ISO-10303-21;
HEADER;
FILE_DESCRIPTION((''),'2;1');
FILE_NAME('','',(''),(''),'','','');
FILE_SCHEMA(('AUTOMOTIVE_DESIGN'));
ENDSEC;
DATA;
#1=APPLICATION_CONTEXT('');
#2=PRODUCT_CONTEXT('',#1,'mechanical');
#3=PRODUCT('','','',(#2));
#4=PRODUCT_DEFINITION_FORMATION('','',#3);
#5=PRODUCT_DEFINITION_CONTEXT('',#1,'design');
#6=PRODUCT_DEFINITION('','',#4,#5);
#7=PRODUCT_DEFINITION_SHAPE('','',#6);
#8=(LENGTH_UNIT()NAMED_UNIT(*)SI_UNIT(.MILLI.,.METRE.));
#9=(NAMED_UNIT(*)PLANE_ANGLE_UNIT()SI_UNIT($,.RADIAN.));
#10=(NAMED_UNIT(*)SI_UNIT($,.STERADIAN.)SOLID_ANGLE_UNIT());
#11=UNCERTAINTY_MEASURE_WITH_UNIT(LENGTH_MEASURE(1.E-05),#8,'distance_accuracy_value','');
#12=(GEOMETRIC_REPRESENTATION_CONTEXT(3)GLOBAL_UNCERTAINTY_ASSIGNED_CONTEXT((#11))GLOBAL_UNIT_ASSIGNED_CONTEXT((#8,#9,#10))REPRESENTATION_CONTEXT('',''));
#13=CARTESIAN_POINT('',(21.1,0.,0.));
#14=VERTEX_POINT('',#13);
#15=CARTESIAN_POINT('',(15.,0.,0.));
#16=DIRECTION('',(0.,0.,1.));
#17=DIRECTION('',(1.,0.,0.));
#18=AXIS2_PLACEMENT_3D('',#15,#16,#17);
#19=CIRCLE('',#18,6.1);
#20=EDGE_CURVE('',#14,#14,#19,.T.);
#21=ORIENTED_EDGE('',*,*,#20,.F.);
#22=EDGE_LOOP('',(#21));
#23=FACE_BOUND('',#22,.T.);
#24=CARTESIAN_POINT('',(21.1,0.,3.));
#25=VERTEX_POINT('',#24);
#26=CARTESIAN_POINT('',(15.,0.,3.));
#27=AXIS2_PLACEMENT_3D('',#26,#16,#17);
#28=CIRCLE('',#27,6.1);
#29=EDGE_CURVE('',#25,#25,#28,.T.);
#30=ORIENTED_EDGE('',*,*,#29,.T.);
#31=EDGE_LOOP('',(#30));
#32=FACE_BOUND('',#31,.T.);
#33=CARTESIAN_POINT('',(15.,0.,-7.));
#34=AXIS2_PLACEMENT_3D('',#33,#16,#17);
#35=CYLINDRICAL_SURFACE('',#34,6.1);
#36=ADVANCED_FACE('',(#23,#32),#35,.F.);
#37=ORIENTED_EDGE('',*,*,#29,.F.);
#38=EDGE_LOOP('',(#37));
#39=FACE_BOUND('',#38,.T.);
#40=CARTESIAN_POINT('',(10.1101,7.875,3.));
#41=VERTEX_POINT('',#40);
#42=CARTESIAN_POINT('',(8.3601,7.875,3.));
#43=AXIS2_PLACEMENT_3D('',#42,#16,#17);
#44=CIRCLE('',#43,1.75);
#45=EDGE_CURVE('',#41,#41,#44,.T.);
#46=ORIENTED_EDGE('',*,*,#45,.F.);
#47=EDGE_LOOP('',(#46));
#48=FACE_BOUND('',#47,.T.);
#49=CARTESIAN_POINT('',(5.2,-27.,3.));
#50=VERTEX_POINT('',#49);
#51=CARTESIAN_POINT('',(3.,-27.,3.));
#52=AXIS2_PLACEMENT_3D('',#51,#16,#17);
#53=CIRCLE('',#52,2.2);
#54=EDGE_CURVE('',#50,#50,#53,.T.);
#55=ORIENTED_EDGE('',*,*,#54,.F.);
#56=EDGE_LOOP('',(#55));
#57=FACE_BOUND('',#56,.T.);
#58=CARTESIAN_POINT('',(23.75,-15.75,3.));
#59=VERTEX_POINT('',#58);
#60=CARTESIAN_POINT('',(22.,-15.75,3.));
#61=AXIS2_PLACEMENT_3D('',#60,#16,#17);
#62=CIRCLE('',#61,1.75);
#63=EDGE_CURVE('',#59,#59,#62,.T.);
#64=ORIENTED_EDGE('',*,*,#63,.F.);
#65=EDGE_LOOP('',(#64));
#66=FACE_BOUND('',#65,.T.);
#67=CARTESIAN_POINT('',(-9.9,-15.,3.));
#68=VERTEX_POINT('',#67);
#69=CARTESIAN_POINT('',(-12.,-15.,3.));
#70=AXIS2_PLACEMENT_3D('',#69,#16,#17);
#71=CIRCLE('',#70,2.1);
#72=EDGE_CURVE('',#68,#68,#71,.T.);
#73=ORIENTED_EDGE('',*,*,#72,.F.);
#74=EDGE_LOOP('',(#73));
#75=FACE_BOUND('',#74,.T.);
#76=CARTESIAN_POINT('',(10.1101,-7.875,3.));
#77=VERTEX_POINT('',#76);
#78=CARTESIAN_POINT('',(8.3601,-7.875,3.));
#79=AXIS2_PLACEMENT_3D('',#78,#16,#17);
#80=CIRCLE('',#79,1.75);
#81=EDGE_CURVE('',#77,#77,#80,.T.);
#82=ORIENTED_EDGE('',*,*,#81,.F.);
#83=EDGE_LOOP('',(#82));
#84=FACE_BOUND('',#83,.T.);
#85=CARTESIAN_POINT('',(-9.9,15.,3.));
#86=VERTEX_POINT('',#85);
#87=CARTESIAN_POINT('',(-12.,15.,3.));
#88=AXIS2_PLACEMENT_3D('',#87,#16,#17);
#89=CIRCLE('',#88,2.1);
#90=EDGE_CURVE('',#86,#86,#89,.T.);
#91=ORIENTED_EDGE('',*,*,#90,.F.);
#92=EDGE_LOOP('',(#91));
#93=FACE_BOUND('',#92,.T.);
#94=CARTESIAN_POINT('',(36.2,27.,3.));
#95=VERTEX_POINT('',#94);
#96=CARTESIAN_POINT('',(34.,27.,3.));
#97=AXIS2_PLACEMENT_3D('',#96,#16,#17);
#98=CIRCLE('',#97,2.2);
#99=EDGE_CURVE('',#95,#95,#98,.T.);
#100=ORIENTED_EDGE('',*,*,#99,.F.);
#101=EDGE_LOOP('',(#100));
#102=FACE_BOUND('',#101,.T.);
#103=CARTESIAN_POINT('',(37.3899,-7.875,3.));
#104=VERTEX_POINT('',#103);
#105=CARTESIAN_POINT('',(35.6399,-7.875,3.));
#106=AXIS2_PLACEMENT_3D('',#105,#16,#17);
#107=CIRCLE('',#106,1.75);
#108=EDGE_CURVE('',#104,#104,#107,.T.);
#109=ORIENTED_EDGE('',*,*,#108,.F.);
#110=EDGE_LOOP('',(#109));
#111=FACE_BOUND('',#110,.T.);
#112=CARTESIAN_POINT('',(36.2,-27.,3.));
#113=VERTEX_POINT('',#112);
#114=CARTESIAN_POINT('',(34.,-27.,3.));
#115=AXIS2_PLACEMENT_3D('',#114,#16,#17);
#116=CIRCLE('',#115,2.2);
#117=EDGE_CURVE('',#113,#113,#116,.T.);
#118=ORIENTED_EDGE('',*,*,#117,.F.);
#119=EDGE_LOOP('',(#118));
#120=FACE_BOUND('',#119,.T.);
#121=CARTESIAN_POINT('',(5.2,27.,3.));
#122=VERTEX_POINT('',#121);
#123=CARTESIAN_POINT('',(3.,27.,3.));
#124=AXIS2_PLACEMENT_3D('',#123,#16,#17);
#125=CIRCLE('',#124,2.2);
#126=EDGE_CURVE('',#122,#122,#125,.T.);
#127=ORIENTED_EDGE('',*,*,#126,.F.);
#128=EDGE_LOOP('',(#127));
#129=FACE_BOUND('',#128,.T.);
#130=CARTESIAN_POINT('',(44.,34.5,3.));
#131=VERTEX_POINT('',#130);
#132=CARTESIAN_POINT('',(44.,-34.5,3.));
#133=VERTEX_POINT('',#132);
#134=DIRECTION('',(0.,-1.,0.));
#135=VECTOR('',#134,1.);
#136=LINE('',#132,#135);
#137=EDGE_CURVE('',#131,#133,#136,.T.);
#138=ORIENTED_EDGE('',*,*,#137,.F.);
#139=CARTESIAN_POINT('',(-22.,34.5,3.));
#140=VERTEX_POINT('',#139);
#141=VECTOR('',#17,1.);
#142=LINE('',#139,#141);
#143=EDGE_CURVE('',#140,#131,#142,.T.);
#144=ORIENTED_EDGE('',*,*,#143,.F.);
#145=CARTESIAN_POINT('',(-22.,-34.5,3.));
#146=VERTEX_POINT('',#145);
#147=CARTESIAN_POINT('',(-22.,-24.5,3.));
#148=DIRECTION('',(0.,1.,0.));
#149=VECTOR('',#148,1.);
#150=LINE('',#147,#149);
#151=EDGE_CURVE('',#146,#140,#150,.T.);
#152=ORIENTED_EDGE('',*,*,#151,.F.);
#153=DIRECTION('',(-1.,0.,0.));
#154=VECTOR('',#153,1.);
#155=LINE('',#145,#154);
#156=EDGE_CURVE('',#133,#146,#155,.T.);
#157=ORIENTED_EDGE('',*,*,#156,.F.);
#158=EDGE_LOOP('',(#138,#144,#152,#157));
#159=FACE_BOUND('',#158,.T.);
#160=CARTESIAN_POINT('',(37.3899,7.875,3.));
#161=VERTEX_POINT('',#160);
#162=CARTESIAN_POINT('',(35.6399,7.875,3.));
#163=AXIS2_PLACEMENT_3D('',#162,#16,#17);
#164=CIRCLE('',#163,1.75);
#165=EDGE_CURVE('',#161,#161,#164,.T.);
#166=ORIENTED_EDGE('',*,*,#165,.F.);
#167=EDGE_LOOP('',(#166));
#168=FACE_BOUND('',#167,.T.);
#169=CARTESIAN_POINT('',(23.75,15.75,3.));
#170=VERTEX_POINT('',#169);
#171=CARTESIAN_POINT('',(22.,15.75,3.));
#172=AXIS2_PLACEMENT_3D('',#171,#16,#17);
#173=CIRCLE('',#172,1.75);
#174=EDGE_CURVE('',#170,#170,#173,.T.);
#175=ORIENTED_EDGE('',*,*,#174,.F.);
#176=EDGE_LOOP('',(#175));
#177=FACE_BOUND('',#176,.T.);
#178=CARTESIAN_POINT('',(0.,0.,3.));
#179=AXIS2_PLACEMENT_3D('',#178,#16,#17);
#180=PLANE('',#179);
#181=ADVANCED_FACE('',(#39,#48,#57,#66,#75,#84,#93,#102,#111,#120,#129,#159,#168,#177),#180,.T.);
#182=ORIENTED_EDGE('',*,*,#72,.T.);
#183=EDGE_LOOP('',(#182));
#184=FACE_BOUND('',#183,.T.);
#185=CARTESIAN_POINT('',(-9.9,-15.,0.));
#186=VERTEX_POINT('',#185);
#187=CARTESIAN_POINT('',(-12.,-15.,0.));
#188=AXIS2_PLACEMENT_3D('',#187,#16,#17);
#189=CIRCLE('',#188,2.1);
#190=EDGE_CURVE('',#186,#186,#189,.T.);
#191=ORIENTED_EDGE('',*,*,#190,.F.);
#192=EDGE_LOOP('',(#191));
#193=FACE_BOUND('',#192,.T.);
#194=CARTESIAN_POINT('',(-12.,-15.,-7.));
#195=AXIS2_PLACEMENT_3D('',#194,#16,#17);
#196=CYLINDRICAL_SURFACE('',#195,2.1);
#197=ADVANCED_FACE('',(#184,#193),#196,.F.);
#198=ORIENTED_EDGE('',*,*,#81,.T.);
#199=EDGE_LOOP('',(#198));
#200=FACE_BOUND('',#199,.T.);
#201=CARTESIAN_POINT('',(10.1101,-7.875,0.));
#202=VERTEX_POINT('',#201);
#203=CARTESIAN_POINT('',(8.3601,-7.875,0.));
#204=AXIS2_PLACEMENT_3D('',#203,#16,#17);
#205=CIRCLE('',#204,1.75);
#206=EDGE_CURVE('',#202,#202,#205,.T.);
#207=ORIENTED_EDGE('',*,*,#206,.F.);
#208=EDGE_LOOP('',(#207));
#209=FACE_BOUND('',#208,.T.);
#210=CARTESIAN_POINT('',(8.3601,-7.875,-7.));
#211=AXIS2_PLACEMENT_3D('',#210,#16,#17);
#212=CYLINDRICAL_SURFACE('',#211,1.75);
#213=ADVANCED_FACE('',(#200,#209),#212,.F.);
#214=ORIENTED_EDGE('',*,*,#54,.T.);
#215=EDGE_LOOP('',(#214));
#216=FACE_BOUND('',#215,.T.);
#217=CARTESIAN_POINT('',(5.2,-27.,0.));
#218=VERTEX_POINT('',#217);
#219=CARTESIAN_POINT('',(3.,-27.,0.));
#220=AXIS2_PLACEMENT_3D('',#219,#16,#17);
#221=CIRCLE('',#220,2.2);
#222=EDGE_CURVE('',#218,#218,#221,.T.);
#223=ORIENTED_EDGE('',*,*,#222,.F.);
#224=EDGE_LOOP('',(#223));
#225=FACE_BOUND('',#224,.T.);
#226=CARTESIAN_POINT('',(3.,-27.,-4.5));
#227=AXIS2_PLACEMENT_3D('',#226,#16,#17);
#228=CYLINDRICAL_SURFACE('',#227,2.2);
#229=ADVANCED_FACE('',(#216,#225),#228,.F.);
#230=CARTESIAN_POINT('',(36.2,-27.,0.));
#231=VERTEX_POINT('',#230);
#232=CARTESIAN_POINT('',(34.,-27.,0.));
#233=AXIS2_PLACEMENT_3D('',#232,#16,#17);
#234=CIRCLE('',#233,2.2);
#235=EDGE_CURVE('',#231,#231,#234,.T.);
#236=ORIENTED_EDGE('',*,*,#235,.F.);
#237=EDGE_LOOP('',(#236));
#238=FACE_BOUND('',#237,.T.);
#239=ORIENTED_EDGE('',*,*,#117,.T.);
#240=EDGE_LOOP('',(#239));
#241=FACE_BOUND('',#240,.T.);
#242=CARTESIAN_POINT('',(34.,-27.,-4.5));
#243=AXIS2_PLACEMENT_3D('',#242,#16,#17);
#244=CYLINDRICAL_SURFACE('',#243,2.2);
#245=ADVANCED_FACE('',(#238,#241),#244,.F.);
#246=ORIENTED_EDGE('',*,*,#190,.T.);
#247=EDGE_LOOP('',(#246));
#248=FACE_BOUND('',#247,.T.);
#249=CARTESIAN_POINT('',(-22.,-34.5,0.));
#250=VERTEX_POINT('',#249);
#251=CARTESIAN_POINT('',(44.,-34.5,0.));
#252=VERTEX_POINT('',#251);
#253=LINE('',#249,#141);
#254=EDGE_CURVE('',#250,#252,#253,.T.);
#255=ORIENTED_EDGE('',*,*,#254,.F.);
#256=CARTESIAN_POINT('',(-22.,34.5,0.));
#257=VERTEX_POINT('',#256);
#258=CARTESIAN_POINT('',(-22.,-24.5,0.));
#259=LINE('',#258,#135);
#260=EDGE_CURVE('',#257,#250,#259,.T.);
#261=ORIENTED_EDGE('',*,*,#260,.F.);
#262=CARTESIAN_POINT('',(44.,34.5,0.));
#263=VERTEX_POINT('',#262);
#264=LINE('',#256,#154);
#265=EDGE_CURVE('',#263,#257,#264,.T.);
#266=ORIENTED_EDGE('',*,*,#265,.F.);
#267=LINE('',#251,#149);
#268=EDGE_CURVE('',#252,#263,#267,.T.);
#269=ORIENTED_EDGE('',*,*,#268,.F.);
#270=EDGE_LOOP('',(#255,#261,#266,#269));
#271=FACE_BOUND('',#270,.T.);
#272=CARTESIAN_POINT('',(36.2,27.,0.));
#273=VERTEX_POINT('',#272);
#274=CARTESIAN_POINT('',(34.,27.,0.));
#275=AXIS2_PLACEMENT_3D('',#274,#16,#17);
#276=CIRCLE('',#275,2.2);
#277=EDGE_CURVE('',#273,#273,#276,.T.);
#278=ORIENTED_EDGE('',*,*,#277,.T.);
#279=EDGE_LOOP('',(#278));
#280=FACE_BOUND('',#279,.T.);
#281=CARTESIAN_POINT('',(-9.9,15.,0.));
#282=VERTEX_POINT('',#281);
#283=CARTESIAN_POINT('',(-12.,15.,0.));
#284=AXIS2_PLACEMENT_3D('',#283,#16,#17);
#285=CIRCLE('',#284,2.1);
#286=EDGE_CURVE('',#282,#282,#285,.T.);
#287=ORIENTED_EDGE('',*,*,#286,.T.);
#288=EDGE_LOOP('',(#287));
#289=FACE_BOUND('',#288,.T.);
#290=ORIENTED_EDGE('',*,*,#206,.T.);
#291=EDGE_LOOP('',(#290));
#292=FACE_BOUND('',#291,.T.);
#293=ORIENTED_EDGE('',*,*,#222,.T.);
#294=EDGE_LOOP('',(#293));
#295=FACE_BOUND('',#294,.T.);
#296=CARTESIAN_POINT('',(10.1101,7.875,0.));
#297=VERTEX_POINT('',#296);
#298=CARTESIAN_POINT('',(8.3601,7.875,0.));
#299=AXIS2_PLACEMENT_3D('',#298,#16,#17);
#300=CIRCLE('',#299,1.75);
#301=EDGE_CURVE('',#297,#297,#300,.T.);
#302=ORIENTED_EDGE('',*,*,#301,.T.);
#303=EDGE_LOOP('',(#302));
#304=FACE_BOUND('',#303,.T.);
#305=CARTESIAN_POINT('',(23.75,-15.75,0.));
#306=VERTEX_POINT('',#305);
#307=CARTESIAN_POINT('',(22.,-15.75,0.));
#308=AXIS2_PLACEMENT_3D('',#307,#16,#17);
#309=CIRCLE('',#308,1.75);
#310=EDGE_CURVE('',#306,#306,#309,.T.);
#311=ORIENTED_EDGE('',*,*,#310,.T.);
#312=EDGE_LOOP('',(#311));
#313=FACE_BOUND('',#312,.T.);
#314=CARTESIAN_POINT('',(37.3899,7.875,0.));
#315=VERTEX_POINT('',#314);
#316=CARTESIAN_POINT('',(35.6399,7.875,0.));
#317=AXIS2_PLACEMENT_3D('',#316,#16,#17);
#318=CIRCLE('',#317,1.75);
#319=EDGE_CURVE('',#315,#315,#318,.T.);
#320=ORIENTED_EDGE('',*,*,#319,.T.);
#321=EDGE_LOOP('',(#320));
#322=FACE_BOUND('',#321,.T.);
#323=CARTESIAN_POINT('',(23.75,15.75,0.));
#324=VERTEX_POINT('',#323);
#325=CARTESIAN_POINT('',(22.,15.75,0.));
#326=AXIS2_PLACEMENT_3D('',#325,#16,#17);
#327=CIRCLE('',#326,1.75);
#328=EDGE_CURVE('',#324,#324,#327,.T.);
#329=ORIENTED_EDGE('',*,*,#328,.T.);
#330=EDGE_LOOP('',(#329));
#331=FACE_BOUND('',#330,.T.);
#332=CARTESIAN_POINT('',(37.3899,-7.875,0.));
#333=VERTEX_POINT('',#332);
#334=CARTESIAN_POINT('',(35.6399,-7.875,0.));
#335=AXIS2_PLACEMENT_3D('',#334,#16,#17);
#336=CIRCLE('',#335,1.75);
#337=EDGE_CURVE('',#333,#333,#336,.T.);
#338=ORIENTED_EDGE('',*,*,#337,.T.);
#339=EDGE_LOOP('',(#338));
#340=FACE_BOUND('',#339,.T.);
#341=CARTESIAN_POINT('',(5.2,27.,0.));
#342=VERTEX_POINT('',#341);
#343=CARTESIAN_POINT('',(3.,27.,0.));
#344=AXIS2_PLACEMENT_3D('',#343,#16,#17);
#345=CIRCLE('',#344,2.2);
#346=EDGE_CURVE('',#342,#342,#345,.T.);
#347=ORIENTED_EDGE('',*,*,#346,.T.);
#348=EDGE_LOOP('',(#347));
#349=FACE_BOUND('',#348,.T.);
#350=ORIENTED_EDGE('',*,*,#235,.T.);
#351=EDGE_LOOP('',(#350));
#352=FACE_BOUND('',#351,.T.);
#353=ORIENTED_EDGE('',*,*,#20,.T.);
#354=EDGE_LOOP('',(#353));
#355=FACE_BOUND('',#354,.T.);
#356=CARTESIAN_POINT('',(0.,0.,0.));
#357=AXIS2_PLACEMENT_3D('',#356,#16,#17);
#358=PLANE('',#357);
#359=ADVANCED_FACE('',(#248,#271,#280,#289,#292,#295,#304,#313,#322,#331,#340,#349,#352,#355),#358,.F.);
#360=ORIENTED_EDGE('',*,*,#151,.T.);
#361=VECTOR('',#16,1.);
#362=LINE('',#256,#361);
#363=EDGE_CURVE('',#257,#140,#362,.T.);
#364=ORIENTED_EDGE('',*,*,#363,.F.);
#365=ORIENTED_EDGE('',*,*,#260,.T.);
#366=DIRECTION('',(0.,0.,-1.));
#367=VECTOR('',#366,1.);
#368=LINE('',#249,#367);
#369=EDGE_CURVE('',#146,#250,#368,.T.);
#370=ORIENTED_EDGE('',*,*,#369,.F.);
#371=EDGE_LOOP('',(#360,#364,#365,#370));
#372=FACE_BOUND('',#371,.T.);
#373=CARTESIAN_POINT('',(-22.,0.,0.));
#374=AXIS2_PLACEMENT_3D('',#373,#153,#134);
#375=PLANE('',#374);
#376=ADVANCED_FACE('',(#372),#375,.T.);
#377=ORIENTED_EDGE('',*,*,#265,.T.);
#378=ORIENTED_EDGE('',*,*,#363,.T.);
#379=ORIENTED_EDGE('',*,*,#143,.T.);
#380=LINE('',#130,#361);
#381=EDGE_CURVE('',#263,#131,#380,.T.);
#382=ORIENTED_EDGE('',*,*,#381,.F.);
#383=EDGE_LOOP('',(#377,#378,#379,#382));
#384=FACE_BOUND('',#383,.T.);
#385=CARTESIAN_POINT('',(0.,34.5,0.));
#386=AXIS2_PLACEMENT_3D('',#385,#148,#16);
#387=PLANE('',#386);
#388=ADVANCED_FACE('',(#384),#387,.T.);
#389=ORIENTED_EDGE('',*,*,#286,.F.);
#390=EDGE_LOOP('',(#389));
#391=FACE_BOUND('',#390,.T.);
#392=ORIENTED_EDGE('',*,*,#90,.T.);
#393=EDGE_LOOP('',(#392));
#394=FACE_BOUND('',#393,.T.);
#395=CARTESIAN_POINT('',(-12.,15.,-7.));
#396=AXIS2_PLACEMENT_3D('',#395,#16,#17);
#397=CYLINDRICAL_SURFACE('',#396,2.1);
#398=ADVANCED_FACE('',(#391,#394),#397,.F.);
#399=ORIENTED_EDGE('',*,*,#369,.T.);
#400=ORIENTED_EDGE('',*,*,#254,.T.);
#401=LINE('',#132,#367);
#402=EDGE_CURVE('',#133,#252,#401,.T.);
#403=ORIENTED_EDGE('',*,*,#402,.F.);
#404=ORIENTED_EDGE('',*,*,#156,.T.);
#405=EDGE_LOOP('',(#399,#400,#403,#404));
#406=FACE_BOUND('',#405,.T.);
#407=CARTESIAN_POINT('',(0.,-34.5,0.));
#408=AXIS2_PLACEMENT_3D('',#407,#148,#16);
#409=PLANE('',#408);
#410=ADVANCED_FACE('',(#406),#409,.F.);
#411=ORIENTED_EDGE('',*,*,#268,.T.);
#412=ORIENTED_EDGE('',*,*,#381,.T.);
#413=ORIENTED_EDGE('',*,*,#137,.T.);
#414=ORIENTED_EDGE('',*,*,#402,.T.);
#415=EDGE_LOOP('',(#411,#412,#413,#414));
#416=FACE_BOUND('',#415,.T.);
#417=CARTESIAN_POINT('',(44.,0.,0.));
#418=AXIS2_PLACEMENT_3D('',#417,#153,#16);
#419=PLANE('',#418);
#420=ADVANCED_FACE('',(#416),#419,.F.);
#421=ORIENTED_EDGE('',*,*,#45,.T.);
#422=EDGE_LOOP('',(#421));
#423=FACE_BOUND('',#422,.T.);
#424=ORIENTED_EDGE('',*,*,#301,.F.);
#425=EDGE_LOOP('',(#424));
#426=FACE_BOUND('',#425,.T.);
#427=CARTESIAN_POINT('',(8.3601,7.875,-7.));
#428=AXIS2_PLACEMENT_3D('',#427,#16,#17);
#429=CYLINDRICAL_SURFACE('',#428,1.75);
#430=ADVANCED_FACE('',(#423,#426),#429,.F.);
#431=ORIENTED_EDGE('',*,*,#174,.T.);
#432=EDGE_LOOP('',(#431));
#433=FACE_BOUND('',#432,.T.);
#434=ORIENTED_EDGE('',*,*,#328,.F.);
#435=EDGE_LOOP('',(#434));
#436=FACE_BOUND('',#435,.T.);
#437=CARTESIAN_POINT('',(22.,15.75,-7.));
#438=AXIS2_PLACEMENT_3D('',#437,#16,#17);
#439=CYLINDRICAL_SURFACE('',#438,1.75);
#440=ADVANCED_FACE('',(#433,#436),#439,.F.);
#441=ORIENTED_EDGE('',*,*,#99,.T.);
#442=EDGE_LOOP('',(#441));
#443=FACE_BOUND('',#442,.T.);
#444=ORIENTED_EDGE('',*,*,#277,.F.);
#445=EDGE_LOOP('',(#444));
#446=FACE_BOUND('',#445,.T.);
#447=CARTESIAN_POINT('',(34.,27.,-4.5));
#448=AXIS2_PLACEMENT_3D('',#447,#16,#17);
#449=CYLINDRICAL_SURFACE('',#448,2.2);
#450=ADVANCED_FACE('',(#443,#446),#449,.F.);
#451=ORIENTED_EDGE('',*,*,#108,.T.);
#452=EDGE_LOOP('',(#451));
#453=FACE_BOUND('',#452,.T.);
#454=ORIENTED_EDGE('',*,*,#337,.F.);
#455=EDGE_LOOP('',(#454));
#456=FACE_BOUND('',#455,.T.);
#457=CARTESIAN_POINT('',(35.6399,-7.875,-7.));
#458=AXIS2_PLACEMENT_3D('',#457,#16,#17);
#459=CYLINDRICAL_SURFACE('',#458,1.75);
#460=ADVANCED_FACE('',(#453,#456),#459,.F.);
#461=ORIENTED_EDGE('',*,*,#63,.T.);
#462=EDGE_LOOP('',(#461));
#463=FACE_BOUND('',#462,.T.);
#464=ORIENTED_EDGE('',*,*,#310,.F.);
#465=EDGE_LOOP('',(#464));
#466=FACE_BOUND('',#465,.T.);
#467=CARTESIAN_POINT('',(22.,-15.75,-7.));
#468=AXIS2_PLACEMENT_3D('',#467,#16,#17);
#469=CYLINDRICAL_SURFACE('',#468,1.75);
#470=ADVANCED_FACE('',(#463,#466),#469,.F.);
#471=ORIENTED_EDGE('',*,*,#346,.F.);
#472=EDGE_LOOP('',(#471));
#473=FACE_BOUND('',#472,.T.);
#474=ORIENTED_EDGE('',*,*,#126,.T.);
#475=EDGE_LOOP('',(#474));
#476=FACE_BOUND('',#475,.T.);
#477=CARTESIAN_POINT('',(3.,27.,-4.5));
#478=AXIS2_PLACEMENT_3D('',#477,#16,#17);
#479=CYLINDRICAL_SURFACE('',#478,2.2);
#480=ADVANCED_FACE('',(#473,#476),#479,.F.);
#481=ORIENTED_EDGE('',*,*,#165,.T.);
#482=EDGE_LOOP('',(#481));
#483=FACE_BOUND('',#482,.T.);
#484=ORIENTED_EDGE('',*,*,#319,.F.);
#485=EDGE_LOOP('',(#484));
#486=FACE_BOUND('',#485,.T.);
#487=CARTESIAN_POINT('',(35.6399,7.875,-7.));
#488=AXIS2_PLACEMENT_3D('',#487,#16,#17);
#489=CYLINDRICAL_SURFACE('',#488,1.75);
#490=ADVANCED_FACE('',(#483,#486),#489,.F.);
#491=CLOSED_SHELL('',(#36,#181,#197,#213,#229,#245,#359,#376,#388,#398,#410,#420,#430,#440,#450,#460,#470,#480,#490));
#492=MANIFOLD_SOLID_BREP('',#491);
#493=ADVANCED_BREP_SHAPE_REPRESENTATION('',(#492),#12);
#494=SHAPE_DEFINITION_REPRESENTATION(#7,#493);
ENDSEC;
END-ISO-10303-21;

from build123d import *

# Parameters (mm, degrees)
SKETCH_1_W          = 40
SKETCH_1_H          = 29
EXTRUDE_1_DEPTH     = 3
SKETCH_3_W          = 40
SKETCH_3_H          = 3
EXTRUDE_2_DEPTH     = 10
SKETCH_4_W          = 40
SKETCH_4_H          = 3
EXTRUDE_3_DEPTH     = 10
SKETCH_6_W          = 3
SKETCH_6_H          = 49
EXTRUDE_5_DEPTH     = 42
SKETCH_8_W          = 3
SKETCH_8_H          = 49
EXTRUDE_6_DEPTH     = 2
SKETCH_9_W          = 3
SKETCH_9_H          = 49
EXTRUDE_7_DEPTH     = 2
SKETCH_10_W         = 86
SKETCH_10_H         = 3
EXTRUDE_8_DEPTH     = 10
SKETCH_11_W         = 86
SKETCH_11_H         = 3
EXTRUDE_9_DEPTH     = 10
SKETCH_12_R         = 2.2
CUT_EXTRUDE_3_DEPTH = 7.5
SKETCH_7_R          = 1.75
SKETCH_7_R_2        = 6.1
CUT_EXTRUDE_4_DEPTH = 10
SKETCH_13_R         = 2.1
CUT_EXTRUDE_5_DEPTH = 10
SKETCH_14_W         = 3
SKETCH_14_H         = 69
CUT_EXTRUDE_6_DEPTH = 20


with BuildPart() as part:
    # Sketch 1 → Extrude 1 (new body)
    with BuildSketch(Plane.XY):
        Rectangle(SKETCH_1_W, SKETCH_1_H)
    extrude(amount=EXTRUDE_1_DEPTH)

    # Sketch 3 → Extrude 2 (add)
    with BuildSketch(Plane.XZ.offset(14.5)):
        with Locations((0, 1.5)):
            Rectangle(SKETCH_3_W, SKETCH_3_H)
    extrude(amount=EXTRUDE_2_DEPTH)

    # Sketch 4 → Extrude 3 (add)
    with BuildSketch(Plane(origin=(0, 14.5, 0), x_dir=(1, 0, 0), z_dir=(0, 1, 0))):
        with Locations((0, -1.5)):
            Rectangle(SKETCH_4_W, SKETCH_4_H)
    extrude(amount=EXTRUDE_3_DEPTH)

    # Sketch 6 → Extrude 5 (add)
    with BuildSketch(Plane(origin=(20, 0, 0), x_dir=(0, 0, -1), z_dir=(1, 0, 0))):
        with Locations((-1.5, 0)):
            Rectangle(SKETCH_6_W, SKETCH_6_H)
    extrude(amount=EXTRUDE_5_DEPTH)

    # Sketch 8 → Extrude 6 (add)
    with BuildSketch(Plane.ZY.offset(20)):
        with Locations((1.5, 0)):
            Rectangle(SKETCH_8_W, SKETCH_8_H)
    extrude(amount=EXTRUDE_6_DEPTH)

    # Sketch 9 → Extrude 7 (add)
    with BuildSketch(Plane(origin=(62, 0, 0), x_dir=(0, 0, -1), z_dir=(1, 0, 0))):
        with Locations((-1.5, 0)):
            Rectangle(SKETCH_9_W, SKETCH_9_H)
    extrude(amount=EXTRUDE_7_DEPTH)

    # Sketch 10 → Extrude 8 (add)
    with BuildSketch(Plane.XZ.offset(24.5)):
        with Locations((21, 1.5)):
            Rectangle(SKETCH_10_W, SKETCH_10_H)
    extrude(amount=EXTRUDE_8_DEPTH)

    # Sketch 11 → Extrude 9 (add)
    with BuildSketch(Plane(origin=(0, 24.5, 0), x_dir=(1, 0, 0), z_dir=(0, 1, 0))):
        with Locations((21, -1.5)):
            Rectangle(SKETCH_11_W, SKETCH_11_H)
    extrude(amount=EXTRUDE_9_DEPTH)

    # Sketch 12 → Cut-Extrude 3 (cut)
    with BuildSketch(Plane.XY.offset(3)):
        with Locations((34, -27)):
            Circle(SKETCH_12_R)
        with Locations((34, 27)):
            Circle(SKETCH_12_R)
        with Locations((3, -27)):
            Circle(SKETCH_12_R)
        with Locations((3, 27)):
            Circle(SKETCH_12_R)
    extrude(amount=-CUT_EXTRUDE_3_DEPTH, mode=Mode.SUBTRACT)

    # Sketch 7 → Cut-Extrude 4 (cut)
    with BuildSketch(Plane.XY.offset(3)):
        with Locations((35.63990011, 7.875)):
            Circle(SKETCH_7_R)
        with Locations((35.63990011, -7.875)):
            Circle(SKETCH_7_R)
        with Locations((15, 0)):
            Circle(SKETCH_7_R_2)
        with Locations((22, 15.75)):
            Circle(SKETCH_7_R)
        with Locations((22, -15.75)):
            Circle(SKETCH_7_R)
        with Locations((8.36009989, 7.875)):
            Circle(SKETCH_7_R)
        with Locations((8.36009989, -7.875)):
            Circle(SKETCH_7_R)
    extrude(amount=-CUT_EXTRUDE_4_DEPTH, mode=Mode.SUBTRACT)

    # Sketch 13 → Cut-Extrude 5 (cut)
    with BuildSketch(Plane.XY.offset(3)):
        with Locations((-12, -15)):
            Circle(SKETCH_13_R)
        with Locations((-12, 15)):
            Circle(SKETCH_13_R)
    extrude(amount=-CUT_EXTRUDE_5_DEPTH, mode=Mode.SUBTRACT)

    # Sketch 14 → Cut-Extrude 6 (cut)
    with BuildSketch(Plane(origin=(64, 0, 0), x_dir=(0, 0, -1), z_dir=(1, 0, 0))):
        with Locations((-1.5, 0)):
            Rectangle(SKETCH_14_W, SKETCH_14_H)
    extrude(amount=-CUT_EXTRUDE_6_DEPTH, mode=Mode.SUBTRACT)


solid = part.part
